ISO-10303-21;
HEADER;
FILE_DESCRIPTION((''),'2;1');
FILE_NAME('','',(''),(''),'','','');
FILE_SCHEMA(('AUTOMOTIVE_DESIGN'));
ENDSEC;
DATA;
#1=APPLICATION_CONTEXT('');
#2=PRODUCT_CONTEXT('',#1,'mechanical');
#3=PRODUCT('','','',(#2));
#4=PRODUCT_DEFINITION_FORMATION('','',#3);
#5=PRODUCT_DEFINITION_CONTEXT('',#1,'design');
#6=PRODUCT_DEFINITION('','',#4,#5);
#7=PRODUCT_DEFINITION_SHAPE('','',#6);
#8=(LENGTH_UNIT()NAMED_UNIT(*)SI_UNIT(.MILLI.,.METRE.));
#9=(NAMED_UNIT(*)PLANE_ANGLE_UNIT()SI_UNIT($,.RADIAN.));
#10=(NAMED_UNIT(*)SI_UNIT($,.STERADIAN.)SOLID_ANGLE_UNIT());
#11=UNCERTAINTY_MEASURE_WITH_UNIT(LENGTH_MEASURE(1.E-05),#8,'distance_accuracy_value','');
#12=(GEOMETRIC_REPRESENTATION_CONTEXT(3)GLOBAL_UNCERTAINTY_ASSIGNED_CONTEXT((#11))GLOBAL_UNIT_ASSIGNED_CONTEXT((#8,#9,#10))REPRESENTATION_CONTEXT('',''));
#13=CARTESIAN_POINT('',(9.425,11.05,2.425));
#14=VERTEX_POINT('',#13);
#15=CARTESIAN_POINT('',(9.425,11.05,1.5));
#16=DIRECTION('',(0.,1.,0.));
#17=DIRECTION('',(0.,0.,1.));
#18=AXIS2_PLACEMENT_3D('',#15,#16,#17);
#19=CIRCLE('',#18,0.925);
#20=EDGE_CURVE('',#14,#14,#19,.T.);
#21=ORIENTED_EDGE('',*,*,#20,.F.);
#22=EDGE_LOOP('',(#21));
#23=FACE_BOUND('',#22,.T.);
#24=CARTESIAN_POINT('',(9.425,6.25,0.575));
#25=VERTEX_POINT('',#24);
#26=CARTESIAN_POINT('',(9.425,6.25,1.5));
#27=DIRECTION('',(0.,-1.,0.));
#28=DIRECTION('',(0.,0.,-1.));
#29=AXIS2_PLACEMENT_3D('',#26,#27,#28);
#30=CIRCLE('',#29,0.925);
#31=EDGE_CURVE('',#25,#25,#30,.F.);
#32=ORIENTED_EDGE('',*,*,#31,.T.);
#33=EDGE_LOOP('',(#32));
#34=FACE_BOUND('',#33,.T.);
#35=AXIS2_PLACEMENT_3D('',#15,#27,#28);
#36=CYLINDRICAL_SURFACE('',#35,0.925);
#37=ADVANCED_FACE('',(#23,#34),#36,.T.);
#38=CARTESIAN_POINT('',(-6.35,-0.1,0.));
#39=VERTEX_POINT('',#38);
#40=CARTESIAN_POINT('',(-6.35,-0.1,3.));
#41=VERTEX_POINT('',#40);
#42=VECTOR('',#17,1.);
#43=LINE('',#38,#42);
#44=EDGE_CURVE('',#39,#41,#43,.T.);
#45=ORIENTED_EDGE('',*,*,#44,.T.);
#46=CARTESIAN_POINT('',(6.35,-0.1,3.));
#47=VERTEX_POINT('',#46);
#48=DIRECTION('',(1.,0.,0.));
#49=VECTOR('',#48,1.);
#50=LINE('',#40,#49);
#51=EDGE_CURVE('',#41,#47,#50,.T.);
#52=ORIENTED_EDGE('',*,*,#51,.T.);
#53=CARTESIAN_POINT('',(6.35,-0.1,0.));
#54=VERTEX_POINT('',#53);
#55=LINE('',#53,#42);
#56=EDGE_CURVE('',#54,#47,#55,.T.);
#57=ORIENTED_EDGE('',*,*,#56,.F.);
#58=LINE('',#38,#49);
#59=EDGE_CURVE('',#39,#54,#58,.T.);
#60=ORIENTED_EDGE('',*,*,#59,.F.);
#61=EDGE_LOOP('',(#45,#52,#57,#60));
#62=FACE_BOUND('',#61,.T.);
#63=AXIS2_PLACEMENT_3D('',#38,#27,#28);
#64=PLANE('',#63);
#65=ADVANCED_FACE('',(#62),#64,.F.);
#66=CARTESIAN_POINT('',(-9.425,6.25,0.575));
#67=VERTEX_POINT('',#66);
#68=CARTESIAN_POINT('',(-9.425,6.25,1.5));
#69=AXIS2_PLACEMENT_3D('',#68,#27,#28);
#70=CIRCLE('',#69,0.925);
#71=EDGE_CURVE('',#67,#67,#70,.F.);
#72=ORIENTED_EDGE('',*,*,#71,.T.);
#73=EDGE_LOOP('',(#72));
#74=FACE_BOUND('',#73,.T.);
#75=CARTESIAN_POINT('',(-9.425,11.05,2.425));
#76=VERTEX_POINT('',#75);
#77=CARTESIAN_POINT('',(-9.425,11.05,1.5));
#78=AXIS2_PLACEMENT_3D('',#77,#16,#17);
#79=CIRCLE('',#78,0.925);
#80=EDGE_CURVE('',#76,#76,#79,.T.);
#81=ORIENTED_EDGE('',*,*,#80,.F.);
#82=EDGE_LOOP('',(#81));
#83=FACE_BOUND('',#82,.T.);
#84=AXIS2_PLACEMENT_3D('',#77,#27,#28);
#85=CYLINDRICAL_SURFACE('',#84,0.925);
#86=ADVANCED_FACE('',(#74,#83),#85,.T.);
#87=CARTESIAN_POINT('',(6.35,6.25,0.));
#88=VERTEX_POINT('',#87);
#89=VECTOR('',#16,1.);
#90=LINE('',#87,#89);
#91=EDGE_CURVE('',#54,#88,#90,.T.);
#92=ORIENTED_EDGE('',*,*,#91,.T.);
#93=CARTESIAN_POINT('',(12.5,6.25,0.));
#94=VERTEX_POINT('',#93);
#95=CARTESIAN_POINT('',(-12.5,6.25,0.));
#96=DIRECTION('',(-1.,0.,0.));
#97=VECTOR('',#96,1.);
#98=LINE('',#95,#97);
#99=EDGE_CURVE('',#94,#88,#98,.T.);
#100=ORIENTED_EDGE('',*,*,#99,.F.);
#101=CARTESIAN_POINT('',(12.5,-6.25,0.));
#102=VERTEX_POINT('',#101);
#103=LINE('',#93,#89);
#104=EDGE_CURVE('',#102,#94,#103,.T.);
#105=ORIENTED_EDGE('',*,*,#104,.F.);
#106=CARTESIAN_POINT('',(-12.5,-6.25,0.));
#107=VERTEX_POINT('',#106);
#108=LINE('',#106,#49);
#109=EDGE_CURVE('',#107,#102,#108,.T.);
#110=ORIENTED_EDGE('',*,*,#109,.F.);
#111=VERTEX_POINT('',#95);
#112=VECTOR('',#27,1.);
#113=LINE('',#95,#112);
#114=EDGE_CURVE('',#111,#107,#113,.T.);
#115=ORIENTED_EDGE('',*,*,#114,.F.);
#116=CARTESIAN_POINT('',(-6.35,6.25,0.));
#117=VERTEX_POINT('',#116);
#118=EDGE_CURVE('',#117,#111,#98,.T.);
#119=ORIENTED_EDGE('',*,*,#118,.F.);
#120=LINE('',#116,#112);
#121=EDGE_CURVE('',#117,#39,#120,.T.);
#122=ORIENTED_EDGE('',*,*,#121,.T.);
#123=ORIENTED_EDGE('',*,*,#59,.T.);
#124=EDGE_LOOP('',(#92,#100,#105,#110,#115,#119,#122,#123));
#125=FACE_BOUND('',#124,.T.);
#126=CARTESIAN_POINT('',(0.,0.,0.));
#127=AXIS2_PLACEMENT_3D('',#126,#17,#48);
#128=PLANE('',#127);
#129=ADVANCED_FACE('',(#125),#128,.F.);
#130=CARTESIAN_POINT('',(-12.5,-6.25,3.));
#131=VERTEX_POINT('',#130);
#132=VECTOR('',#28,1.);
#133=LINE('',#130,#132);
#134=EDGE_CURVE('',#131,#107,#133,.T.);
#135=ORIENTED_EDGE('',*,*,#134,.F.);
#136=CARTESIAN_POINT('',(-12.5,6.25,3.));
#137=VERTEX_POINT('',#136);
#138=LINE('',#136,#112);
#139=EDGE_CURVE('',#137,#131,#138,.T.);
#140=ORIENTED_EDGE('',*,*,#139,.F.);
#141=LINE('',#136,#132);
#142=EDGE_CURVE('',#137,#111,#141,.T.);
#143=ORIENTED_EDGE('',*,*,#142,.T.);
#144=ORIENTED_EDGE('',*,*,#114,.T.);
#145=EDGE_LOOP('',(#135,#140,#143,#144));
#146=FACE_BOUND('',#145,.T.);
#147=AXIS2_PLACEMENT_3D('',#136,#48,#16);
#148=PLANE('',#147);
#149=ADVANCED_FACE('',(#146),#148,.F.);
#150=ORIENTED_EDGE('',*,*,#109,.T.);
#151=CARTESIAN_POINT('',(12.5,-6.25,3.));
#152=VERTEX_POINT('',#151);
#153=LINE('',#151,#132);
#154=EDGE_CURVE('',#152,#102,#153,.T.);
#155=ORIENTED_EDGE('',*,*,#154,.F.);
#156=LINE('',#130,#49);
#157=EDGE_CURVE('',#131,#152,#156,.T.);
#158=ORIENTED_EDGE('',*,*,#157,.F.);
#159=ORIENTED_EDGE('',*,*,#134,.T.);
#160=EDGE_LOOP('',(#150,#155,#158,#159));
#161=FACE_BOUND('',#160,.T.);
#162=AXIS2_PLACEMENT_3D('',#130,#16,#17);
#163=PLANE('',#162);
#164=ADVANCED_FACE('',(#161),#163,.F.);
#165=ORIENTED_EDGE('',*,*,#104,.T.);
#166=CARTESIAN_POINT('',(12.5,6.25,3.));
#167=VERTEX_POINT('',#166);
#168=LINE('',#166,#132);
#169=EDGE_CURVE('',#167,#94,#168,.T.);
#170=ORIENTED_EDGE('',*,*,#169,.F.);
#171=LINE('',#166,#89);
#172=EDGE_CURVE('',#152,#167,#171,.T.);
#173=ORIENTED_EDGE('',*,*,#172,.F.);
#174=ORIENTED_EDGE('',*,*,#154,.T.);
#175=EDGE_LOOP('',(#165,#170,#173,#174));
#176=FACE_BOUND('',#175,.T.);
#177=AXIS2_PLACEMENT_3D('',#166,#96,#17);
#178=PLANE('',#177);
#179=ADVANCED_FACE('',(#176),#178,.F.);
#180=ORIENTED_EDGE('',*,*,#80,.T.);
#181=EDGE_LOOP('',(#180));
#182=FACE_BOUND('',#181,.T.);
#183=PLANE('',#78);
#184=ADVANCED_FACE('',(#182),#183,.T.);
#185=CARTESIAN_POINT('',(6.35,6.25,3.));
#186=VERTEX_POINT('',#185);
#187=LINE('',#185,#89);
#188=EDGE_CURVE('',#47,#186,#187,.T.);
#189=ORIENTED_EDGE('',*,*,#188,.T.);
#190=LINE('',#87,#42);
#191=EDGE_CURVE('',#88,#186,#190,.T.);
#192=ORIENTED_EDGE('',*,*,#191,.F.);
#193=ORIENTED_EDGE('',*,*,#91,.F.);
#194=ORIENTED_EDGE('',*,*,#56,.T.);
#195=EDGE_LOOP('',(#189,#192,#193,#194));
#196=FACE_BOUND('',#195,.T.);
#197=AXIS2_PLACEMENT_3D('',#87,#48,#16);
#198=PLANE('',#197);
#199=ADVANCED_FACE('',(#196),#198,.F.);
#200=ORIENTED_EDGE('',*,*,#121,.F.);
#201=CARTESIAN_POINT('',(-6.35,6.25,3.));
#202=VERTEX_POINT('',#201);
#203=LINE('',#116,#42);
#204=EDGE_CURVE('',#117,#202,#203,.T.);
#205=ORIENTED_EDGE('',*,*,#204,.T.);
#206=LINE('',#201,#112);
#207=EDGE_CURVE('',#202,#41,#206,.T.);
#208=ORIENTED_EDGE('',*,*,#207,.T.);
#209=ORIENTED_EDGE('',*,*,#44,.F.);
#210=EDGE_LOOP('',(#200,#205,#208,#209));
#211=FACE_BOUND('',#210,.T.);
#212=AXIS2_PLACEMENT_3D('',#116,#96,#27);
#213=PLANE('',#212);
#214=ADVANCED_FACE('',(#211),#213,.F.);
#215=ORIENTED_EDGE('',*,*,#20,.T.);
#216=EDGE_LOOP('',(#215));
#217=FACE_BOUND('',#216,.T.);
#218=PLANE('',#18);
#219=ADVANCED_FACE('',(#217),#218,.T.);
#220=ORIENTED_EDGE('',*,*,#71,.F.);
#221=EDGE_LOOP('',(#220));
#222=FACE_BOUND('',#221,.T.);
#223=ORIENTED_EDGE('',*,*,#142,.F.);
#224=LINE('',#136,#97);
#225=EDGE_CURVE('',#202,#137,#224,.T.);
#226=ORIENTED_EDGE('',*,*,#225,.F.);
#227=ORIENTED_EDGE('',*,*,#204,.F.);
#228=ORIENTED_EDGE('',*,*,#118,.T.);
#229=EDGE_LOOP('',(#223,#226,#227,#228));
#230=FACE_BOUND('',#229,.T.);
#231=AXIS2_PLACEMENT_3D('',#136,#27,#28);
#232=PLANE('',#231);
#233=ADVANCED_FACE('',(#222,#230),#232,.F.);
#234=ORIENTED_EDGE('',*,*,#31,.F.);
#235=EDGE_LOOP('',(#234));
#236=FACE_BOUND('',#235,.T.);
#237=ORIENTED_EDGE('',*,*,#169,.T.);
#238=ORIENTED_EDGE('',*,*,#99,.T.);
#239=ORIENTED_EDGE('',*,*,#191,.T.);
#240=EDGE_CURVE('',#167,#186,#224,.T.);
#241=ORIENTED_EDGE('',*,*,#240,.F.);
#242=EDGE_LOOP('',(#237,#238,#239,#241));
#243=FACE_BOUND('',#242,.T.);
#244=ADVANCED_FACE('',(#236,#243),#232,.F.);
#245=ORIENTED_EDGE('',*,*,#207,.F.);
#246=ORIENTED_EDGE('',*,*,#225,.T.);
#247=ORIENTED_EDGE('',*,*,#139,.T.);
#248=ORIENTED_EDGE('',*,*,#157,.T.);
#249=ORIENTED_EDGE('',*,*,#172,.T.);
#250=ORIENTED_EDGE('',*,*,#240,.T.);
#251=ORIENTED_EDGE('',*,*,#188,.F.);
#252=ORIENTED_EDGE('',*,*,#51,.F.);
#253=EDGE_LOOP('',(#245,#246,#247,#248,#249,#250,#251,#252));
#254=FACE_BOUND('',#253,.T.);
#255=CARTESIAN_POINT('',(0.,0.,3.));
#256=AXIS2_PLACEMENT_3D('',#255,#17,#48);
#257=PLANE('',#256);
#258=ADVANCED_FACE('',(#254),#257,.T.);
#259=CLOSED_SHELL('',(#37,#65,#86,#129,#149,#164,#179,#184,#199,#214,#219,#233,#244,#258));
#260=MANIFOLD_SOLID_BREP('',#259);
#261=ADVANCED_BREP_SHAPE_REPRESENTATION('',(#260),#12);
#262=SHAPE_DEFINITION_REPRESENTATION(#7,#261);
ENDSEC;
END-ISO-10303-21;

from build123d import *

# Parameters (mm, degrees)
SKETCH1_W           = 25
SKETCH1_H           = 12.5
BOSS_EXTRUDE1_DEPTH = 3
SKETCH2_W           = 12.7
SKETCH2_H           = 6.35
CUT_EXTRUDE1_DEPTH  = 3
SKETCH3_R           = 0.925
BOSS_EXTRUDE2_DEPTH = 4.8


with BuildPart() as part:
    # Sketch1 → Boss-Extrude1 (new body)
    with BuildSketch(Plane.XY):
        Rectangle(SKETCH1_W, SKETCH1_H)
    extrude(amount=BOSS_EXTRUDE1_DEPTH)

    # Sketch2 → Cut-Extrude1 (cut)
    with BuildSketch(Plane.XY.offset(3)):
        with Locations((0, 3.075)):
            Rectangle(SKETCH2_W, SKETCH2_H)
    extrude(amount=-CUT_EXTRUDE1_DEPTH, mode=Mode.SUBTRACT)

    # Sketch3 → Boss-Extrude2 (add)
    with BuildSketch(Plane(origin=(0, 6.25, 0), x_dir=(1, 0, 0), z_dir=(0, 1, 0))):
        with Locations(Location((-9.425, -1.5, 0), (0, 0, 90))):
            Circle(SKETCH3_R)
        with Locations(Location((9.425, -1.5, 0), (0, 0, 90))):
            Circle(SKETCH3_R)
    extrude(amount=BOSS_EXTRUDE2_DEPTH)


solid = part.part
